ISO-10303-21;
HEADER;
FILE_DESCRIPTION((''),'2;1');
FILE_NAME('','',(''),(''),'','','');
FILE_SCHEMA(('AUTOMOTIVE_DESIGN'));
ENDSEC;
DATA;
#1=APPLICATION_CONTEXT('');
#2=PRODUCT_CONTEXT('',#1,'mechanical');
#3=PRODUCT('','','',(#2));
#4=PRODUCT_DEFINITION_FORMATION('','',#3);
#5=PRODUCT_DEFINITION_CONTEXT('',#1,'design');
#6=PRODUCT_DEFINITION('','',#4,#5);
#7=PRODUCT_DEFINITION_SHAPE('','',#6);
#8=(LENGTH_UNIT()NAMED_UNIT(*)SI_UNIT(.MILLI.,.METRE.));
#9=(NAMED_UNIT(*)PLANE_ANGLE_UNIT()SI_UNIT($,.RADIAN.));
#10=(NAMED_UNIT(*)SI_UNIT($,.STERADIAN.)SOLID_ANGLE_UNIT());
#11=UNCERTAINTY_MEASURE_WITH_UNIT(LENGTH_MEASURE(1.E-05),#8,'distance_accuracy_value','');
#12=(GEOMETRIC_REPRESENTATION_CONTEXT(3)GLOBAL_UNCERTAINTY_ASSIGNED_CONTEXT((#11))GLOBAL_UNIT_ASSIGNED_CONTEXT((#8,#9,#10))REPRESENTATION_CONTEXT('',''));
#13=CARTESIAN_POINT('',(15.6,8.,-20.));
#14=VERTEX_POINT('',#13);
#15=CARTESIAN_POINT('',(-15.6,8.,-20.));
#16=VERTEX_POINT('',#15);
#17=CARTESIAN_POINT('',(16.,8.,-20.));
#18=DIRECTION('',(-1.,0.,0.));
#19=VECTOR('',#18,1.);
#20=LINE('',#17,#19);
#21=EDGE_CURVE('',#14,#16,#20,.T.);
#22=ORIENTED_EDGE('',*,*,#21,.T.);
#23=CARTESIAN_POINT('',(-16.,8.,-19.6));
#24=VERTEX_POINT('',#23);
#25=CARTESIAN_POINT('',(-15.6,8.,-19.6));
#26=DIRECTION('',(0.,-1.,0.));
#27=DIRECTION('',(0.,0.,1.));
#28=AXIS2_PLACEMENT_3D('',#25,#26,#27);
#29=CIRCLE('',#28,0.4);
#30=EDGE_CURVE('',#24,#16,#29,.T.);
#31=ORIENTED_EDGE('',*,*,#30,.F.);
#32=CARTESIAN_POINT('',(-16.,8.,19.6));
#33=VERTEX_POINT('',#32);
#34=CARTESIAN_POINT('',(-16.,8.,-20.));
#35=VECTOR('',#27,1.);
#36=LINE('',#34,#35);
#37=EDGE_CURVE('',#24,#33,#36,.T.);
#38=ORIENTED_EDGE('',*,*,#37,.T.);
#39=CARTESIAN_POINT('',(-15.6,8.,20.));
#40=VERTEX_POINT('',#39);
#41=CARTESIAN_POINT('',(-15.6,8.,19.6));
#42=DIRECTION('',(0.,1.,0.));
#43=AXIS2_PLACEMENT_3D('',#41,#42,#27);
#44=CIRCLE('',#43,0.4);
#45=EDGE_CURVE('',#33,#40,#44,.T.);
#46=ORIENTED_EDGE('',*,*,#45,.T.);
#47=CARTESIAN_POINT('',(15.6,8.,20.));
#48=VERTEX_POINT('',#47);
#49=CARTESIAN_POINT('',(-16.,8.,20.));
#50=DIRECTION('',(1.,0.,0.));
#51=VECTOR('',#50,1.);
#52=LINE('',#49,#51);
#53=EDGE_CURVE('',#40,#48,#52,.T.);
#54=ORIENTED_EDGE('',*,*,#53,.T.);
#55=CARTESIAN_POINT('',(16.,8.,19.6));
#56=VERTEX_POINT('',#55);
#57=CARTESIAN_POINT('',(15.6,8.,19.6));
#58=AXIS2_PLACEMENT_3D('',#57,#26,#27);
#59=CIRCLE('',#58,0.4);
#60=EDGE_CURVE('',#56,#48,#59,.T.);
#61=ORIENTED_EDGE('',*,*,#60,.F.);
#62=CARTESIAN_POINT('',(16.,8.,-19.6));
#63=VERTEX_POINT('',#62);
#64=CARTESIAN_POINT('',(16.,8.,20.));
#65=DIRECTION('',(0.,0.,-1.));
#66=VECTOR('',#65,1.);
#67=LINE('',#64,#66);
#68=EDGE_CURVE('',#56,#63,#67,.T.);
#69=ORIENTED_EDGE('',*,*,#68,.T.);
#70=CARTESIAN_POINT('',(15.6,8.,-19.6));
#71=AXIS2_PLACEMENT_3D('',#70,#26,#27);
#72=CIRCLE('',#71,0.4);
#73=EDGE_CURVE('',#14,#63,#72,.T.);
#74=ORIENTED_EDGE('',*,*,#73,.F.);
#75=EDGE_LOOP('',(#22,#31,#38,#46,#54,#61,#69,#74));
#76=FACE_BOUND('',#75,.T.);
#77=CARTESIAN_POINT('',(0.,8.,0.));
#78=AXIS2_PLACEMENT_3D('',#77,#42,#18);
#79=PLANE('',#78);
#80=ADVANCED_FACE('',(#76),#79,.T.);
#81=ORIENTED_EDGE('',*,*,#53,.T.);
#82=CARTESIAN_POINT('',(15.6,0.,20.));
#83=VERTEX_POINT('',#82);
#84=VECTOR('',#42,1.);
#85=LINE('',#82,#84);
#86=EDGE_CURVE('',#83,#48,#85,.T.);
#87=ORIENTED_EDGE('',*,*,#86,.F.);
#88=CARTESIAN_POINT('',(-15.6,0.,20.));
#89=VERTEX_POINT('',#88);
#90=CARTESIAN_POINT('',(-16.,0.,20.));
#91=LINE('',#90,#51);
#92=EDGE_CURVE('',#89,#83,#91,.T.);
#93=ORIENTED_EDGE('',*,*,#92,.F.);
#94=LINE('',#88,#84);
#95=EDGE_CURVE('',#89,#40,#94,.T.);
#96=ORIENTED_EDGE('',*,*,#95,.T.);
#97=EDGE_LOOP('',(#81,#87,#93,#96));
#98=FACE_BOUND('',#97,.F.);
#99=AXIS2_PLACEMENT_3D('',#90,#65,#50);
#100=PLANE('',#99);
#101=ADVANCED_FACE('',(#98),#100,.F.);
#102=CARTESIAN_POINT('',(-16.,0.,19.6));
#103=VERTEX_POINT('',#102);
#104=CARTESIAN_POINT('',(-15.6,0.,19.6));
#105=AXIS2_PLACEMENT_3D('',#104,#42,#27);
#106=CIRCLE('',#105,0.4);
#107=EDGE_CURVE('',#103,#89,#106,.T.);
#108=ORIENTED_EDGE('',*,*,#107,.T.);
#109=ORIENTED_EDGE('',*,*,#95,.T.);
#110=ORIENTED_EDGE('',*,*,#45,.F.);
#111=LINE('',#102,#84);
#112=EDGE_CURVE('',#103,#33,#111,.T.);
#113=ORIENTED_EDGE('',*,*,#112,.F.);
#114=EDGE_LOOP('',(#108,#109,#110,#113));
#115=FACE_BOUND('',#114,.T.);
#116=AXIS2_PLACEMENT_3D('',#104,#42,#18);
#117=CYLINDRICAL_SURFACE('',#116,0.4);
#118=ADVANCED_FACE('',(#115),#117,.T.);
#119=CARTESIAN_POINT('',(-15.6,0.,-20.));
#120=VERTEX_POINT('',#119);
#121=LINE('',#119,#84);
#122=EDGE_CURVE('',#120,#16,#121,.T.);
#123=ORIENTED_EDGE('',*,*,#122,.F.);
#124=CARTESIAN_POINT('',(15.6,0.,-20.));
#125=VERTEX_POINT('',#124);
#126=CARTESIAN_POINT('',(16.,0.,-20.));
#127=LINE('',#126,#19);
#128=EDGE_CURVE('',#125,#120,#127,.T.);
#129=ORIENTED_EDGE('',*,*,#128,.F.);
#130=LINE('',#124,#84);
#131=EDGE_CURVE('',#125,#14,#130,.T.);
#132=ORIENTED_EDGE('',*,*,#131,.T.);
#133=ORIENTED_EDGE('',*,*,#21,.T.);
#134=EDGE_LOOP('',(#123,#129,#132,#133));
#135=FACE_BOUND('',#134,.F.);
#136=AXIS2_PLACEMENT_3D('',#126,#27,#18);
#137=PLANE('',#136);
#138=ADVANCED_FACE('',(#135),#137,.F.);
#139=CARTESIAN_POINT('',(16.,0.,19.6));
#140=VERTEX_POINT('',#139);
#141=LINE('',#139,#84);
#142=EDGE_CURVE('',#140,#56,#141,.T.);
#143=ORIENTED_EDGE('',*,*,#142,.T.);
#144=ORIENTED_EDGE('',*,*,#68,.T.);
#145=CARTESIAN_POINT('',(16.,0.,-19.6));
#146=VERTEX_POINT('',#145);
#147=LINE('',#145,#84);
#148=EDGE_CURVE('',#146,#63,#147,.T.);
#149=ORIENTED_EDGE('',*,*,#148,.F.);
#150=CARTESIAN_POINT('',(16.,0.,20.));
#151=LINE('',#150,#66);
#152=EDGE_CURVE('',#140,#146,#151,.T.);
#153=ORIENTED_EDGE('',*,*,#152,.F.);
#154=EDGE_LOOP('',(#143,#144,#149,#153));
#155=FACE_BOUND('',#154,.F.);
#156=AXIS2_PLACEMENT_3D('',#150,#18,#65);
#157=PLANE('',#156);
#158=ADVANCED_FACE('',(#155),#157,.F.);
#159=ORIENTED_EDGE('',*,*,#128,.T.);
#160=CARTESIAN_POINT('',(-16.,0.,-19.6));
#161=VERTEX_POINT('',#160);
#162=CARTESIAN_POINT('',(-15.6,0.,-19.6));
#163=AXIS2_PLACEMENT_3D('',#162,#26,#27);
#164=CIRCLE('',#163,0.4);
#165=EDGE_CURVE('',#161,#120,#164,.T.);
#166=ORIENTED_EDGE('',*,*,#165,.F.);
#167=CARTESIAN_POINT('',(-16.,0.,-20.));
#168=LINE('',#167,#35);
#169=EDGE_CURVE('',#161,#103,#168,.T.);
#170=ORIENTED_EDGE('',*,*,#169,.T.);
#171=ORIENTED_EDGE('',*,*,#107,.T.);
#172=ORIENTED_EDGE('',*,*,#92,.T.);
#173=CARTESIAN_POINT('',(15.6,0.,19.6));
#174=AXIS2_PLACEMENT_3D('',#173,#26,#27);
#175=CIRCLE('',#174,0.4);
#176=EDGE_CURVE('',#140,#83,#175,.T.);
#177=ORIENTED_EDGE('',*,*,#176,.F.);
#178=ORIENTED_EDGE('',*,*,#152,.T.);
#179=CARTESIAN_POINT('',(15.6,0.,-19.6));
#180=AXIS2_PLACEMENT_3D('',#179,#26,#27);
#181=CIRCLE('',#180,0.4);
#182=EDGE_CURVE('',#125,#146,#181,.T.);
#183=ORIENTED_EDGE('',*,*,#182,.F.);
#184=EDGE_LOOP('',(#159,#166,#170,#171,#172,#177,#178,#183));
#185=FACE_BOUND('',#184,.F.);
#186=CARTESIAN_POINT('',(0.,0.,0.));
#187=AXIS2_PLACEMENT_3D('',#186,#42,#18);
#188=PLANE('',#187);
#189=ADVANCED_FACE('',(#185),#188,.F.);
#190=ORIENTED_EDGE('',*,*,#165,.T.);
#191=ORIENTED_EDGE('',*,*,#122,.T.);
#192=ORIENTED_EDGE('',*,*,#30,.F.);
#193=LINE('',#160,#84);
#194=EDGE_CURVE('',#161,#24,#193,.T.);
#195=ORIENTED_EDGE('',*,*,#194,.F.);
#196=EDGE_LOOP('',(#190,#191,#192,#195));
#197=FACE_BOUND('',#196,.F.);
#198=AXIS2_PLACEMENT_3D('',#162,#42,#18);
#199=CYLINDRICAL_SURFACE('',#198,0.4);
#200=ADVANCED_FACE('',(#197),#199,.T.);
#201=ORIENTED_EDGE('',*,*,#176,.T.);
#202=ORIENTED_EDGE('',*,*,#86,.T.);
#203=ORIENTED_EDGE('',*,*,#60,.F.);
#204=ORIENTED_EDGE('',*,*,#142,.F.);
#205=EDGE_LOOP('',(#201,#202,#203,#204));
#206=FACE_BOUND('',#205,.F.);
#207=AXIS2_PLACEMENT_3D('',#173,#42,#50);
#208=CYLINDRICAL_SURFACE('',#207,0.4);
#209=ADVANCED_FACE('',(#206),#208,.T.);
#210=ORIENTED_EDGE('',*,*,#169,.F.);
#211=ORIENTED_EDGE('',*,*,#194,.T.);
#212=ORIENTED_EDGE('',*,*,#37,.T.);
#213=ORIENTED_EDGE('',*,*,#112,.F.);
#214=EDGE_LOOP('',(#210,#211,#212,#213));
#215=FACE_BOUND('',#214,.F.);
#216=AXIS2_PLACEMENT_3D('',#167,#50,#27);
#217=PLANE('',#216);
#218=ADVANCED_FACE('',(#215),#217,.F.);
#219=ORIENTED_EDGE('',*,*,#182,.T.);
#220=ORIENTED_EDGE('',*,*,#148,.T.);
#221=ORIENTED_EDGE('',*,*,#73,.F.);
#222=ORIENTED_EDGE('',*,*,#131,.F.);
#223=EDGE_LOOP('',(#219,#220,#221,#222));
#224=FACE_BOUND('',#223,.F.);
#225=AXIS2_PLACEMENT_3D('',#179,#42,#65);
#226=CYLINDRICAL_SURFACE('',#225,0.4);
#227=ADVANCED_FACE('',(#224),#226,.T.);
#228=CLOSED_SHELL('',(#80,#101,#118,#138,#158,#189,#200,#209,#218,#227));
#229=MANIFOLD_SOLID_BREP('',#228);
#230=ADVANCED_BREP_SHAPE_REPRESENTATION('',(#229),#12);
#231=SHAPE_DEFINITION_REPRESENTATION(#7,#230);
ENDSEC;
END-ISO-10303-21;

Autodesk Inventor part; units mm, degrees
ref_plane "YZ Plane" through (0, 0, 0) normal (1, 0, 0) x (0, 1, 0)
ref_plane "XZ Plane" through (0, 0, 0) normal (0, 1, 0) x (-1, 0, 0)
ref_plane "XY Plane" through (0, 0, 0) normal (0, 0, 1) x (1, 0, 0)
sketch "Sketch18" plane through (0, 0, 0) normal (0, 1, 0) x (-1, 0, 0)
  line L0 (16, 20) -> (-16, 20)
  line L1 (-16, 20) -> (-16, -20)
  line L2 (-16, -20) -> (16, -20)
  line L3 (16, -20) -> (16, 20)
  line L4 (16, 20) -> (-16, -20) construction
  line L5 (-16, 20) -> (16, -20) construction
  point P0 (0, 0)
  dimension "d163" = 32
  dimension "d164" = 40
extrude "Extrusion17" add sketch "Sketch18" along normal blind 8
fillet "Fillet7" radius 0.4 4 edges at (16, 4, 20) (-16, 4, 20) (-16, 4, -20) (16, 4, -20)
properties part number "esc" material "ABS Plastic"
